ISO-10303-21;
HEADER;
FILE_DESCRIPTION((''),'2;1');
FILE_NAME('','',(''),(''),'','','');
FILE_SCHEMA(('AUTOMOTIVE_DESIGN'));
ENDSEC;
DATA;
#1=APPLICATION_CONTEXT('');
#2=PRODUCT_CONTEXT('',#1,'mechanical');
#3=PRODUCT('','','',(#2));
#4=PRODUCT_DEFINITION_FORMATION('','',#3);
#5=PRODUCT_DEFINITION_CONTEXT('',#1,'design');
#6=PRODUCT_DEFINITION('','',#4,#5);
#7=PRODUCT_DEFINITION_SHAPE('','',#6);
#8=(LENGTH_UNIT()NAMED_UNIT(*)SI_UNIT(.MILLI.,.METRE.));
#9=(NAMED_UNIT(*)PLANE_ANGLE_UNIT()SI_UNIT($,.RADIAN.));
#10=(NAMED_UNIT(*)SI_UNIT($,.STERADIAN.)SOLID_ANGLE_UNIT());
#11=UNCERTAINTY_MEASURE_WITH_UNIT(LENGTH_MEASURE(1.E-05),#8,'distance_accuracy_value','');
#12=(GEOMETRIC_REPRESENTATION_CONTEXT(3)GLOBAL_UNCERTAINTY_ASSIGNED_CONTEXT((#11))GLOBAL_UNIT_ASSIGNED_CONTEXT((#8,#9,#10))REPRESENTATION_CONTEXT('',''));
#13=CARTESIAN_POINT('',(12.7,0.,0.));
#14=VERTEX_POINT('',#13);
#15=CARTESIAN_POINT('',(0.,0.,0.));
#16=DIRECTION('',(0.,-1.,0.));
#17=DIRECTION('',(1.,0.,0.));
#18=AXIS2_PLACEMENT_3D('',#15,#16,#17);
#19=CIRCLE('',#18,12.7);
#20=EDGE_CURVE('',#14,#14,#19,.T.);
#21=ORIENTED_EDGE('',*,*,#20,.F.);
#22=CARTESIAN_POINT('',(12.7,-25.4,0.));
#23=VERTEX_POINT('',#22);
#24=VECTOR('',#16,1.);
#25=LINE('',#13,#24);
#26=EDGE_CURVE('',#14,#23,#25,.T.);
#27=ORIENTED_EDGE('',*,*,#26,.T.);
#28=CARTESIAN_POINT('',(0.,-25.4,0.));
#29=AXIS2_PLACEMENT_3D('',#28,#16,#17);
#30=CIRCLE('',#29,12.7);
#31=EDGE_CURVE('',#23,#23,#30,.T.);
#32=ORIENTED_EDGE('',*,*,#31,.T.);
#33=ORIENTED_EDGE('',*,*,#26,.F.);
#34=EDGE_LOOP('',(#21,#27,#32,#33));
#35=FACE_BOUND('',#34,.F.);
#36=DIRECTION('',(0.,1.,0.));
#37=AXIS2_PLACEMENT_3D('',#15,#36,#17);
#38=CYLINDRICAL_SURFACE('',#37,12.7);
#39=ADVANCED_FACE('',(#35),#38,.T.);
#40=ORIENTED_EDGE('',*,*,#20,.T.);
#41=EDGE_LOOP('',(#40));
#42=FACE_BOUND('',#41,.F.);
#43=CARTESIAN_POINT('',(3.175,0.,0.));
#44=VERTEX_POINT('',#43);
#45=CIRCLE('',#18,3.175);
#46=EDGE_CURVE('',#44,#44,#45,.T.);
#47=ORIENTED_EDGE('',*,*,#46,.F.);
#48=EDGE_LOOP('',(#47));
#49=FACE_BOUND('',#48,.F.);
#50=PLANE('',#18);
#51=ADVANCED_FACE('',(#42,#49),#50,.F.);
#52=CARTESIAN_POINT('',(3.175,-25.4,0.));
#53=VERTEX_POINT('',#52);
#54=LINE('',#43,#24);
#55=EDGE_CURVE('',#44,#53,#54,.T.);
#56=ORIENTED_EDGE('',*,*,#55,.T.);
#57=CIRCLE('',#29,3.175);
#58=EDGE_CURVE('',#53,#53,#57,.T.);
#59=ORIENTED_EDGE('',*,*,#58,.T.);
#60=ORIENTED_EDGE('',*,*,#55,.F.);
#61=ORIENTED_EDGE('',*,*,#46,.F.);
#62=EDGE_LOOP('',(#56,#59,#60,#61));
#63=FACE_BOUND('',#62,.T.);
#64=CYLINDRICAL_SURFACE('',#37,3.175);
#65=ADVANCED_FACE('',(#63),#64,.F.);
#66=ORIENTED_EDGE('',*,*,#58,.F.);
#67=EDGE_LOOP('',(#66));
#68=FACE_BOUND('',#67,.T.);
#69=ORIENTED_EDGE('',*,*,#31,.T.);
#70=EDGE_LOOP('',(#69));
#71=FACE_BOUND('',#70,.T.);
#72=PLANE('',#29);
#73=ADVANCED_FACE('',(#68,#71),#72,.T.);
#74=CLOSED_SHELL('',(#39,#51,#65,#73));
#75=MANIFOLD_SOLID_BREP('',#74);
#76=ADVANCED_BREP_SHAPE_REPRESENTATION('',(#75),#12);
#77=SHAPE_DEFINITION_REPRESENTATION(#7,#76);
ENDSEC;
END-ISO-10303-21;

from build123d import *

# Parameters (mm, degrees)
SKETCH_R   = 12.7
SKETCH_R_2 = 3.175
PAD_DEPTH  = 25.4


with BuildPart() as part:
    # Sketch → Pad (new body)
    with BuildSketch(Plane.XZ):
        Circle(SKETCH_R)
        Circle(SKETCH_R_2, mode=Mode.SUBTRACT)
    extrude(amount=PAD_DEPTH)


solid = part.part
